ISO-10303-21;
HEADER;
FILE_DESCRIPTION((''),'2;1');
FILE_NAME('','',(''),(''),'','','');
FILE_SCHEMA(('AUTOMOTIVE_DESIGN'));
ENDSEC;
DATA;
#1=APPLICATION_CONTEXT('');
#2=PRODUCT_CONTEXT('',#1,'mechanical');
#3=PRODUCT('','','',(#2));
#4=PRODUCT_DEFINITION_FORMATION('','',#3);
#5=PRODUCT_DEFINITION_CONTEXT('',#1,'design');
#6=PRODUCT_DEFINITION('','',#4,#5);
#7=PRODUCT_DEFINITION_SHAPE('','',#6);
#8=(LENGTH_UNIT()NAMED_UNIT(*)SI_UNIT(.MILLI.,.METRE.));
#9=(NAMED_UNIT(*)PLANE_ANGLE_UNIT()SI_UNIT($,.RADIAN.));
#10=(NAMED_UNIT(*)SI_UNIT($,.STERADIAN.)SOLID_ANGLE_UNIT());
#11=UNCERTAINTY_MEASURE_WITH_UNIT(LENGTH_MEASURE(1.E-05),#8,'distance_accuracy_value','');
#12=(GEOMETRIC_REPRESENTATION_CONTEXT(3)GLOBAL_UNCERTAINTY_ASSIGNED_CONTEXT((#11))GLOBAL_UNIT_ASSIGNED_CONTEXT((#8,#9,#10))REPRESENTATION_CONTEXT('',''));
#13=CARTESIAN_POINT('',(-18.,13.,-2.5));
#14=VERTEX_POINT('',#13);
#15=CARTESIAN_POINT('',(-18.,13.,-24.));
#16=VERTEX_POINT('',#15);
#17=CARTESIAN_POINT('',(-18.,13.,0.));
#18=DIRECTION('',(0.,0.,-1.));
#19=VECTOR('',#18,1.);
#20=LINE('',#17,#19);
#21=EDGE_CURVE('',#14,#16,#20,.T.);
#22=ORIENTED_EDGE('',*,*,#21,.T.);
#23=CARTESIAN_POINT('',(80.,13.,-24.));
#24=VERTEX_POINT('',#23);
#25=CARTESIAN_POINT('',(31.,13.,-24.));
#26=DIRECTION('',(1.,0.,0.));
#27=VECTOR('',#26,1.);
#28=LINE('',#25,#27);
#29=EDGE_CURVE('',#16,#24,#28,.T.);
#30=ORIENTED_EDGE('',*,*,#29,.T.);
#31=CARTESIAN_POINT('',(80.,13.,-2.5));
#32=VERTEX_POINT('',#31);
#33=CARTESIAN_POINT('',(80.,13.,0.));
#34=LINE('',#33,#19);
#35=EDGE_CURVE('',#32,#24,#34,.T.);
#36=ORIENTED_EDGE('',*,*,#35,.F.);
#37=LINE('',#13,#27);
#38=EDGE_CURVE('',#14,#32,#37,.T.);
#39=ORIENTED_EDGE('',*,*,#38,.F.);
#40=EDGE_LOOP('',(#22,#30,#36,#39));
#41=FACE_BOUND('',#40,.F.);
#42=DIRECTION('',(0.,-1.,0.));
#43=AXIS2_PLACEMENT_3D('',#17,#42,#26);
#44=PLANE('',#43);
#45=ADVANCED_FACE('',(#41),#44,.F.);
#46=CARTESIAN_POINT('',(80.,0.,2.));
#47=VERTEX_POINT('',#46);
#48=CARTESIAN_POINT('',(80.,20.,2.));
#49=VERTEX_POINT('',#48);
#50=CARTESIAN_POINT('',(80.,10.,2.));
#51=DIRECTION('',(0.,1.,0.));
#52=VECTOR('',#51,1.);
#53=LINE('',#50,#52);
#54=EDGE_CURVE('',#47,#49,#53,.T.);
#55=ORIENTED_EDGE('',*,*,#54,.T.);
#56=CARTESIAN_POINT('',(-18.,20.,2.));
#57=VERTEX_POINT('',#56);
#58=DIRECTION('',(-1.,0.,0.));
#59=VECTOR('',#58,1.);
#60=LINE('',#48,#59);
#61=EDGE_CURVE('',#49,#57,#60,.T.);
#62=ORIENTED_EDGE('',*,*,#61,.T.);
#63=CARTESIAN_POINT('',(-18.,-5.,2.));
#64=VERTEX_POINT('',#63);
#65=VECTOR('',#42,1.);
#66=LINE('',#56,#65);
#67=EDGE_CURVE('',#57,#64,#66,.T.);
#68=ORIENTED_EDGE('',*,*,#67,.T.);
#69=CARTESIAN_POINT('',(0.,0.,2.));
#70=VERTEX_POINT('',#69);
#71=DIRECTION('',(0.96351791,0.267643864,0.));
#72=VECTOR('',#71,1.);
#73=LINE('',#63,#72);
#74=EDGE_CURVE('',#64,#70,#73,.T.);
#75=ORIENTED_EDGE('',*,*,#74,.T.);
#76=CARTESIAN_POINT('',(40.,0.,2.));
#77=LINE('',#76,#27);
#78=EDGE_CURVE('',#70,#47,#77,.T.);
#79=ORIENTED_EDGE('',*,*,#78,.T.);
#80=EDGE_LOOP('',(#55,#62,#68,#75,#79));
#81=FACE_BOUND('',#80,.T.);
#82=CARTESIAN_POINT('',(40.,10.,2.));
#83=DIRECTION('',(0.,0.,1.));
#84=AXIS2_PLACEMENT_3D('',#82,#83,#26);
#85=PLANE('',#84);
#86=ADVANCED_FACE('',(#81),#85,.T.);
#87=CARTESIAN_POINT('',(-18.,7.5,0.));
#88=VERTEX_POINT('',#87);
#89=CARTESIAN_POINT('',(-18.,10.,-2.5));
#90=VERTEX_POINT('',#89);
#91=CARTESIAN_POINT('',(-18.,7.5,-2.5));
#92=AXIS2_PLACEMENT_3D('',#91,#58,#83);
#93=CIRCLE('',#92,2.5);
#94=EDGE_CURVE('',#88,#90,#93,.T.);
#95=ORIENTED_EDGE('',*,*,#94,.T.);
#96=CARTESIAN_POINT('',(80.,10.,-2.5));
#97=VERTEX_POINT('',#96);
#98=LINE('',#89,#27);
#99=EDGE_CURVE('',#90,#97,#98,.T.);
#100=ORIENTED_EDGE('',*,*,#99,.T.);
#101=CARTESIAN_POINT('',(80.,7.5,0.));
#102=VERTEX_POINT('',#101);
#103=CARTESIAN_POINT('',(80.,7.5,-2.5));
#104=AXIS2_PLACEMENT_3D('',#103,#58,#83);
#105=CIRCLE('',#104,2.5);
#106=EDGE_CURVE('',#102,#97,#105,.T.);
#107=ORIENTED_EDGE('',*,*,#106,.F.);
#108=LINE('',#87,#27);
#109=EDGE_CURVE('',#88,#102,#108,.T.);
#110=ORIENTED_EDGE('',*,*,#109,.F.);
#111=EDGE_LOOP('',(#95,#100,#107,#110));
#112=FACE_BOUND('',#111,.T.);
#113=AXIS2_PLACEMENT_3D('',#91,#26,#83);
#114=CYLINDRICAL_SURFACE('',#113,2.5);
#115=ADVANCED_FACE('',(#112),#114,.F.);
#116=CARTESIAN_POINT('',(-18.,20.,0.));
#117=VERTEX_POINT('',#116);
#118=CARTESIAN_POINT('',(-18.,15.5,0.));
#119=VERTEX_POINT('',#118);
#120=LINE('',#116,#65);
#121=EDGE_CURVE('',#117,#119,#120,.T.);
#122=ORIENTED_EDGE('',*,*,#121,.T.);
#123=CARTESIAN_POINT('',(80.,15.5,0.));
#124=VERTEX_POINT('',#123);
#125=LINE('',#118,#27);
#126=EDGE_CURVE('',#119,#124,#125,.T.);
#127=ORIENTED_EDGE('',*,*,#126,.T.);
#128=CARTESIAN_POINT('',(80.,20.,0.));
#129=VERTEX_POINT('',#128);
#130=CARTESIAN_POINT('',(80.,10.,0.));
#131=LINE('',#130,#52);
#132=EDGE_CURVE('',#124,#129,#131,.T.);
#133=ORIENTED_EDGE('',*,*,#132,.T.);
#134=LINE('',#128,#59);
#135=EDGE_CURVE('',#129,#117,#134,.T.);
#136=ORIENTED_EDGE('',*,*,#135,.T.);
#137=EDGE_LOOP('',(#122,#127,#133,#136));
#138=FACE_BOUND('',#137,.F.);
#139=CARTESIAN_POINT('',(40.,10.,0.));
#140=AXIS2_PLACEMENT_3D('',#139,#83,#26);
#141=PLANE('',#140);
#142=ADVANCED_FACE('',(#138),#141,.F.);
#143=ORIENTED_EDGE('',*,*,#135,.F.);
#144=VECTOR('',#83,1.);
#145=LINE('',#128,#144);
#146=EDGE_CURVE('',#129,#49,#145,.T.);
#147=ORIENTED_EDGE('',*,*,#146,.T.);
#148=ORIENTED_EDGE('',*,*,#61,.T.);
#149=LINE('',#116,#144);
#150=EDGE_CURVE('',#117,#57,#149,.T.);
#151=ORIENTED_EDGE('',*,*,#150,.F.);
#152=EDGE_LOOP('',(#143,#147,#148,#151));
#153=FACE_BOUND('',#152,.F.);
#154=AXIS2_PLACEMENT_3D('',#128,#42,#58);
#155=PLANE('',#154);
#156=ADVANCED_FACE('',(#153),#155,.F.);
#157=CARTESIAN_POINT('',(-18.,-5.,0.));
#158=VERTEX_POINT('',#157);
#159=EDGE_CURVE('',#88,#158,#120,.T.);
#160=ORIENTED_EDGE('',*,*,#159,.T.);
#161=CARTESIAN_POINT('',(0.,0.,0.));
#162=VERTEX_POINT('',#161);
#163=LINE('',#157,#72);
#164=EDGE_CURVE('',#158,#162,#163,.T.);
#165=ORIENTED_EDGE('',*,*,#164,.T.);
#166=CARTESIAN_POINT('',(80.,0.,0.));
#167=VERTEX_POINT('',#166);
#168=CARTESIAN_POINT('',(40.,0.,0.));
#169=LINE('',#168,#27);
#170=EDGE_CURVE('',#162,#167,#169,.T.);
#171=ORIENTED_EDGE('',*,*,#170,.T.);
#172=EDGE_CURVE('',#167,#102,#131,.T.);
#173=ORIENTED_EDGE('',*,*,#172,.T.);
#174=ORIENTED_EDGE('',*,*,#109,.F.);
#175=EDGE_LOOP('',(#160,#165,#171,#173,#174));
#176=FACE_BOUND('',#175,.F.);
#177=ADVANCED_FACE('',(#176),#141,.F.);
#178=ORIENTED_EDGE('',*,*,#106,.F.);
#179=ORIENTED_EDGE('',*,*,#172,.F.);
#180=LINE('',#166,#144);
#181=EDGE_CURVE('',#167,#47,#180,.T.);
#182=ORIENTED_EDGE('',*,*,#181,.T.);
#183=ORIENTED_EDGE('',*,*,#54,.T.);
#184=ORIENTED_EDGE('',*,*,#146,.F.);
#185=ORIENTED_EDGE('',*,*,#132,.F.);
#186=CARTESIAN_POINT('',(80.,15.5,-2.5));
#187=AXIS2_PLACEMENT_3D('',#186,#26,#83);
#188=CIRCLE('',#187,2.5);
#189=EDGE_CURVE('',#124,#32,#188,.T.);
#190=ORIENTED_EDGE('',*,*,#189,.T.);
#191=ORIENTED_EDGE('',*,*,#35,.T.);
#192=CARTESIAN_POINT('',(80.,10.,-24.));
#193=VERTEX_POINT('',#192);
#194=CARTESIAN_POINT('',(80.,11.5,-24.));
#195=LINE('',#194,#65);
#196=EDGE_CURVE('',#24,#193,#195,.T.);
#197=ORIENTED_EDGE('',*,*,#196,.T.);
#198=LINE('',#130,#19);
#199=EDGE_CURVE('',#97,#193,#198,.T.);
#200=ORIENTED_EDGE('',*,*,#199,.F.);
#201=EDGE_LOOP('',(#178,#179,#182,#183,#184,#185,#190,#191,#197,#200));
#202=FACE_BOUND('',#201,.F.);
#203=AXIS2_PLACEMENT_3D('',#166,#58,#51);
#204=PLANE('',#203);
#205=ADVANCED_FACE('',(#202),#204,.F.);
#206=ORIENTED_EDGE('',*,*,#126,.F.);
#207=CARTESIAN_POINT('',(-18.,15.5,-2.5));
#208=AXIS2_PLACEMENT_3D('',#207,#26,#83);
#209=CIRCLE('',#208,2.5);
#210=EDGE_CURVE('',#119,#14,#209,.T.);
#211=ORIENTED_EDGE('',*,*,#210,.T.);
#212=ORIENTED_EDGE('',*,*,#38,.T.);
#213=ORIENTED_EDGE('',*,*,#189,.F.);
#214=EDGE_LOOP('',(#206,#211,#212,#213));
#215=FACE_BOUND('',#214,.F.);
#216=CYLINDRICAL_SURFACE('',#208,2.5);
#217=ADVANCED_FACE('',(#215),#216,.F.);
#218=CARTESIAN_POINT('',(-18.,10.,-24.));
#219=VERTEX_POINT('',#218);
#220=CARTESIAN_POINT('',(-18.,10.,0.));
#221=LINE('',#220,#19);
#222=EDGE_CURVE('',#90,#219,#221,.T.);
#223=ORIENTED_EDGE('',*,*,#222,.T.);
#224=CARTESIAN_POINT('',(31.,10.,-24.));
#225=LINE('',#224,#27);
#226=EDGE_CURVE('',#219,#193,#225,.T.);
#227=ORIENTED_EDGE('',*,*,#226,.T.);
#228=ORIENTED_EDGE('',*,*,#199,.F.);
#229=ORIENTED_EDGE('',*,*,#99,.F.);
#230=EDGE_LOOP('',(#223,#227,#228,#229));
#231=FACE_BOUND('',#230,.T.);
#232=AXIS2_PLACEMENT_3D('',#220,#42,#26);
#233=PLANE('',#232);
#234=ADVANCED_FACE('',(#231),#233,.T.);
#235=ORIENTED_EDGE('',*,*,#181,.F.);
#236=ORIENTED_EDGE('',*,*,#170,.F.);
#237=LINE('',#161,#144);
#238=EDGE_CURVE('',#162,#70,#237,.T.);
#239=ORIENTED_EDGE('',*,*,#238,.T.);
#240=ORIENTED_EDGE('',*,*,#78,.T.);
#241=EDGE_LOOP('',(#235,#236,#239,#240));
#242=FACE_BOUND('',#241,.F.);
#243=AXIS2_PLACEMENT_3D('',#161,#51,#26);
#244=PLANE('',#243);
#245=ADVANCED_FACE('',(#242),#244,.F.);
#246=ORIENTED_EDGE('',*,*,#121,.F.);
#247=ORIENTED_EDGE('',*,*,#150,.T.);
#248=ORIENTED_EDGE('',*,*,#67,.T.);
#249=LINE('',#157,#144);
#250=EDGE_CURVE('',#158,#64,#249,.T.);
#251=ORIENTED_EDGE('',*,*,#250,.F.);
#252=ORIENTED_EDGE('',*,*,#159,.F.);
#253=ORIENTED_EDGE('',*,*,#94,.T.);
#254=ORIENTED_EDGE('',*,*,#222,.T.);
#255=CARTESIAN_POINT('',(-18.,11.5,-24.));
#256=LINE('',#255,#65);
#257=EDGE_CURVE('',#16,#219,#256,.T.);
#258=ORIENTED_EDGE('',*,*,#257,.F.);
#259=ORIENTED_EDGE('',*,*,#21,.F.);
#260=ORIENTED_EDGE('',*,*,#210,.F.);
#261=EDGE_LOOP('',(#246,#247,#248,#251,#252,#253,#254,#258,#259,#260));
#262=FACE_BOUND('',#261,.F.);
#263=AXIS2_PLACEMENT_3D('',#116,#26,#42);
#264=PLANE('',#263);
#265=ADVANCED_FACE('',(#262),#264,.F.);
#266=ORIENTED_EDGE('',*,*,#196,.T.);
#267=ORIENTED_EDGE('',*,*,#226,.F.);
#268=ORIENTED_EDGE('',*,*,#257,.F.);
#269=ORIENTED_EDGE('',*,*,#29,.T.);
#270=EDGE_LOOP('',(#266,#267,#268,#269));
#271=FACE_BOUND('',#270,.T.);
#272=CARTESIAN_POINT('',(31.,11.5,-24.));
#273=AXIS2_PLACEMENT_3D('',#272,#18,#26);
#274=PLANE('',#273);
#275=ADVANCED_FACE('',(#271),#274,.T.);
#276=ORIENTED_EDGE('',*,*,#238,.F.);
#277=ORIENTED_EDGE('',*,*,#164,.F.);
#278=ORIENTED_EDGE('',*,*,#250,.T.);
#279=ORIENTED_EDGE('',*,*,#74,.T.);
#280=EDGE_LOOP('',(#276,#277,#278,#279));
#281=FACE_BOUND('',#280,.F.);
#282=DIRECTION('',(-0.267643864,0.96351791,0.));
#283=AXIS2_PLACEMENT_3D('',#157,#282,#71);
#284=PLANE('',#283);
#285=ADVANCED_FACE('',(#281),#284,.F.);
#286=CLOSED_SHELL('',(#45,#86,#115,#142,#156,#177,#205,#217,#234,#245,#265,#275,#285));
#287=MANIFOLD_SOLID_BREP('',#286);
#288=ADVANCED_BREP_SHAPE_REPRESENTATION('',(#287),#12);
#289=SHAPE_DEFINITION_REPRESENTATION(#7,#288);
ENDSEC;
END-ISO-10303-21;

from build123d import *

# Parameters (mm, degrees)
F0_W     = 80
F0_H     = 20
F1_DEPTH = 2
F2_W     = 98
F2_H     = 3
F3_DEPTH = 24
F4_R     = 2.5


with BuildPart() as f1:
    # F0 (on Top) → F1 (new body)
    with BuildSketch(Plane.XY):
        with Locations((40, 10)):
            Rectangle(F0_W, F0_H)
        Polygon((-18, -5), (0, 0), (0, 20), (-18, 20), align=None)
    extrude(amount=F1_DEPTH)

    # F2 (on face) → F3 (join)
    with BuildSketch(Plane(origin=(0, 0, 0), x_dir=(1, 0, 0), z_dir=(0, 0, -1))):
        with Locations((31, -11.5)):
            Rectangle(F2_W, F2_H)
    extrude(amount=F3_DEPTH)

    # F4
    f4_edges = [f1.edges().sort_by_distance(p)[0] for p in [
        (31, 10, 0),
        (31, 13, 0),
    ]]
    fillet(f4_edges, radius=F4_R)


solid = f1.part
